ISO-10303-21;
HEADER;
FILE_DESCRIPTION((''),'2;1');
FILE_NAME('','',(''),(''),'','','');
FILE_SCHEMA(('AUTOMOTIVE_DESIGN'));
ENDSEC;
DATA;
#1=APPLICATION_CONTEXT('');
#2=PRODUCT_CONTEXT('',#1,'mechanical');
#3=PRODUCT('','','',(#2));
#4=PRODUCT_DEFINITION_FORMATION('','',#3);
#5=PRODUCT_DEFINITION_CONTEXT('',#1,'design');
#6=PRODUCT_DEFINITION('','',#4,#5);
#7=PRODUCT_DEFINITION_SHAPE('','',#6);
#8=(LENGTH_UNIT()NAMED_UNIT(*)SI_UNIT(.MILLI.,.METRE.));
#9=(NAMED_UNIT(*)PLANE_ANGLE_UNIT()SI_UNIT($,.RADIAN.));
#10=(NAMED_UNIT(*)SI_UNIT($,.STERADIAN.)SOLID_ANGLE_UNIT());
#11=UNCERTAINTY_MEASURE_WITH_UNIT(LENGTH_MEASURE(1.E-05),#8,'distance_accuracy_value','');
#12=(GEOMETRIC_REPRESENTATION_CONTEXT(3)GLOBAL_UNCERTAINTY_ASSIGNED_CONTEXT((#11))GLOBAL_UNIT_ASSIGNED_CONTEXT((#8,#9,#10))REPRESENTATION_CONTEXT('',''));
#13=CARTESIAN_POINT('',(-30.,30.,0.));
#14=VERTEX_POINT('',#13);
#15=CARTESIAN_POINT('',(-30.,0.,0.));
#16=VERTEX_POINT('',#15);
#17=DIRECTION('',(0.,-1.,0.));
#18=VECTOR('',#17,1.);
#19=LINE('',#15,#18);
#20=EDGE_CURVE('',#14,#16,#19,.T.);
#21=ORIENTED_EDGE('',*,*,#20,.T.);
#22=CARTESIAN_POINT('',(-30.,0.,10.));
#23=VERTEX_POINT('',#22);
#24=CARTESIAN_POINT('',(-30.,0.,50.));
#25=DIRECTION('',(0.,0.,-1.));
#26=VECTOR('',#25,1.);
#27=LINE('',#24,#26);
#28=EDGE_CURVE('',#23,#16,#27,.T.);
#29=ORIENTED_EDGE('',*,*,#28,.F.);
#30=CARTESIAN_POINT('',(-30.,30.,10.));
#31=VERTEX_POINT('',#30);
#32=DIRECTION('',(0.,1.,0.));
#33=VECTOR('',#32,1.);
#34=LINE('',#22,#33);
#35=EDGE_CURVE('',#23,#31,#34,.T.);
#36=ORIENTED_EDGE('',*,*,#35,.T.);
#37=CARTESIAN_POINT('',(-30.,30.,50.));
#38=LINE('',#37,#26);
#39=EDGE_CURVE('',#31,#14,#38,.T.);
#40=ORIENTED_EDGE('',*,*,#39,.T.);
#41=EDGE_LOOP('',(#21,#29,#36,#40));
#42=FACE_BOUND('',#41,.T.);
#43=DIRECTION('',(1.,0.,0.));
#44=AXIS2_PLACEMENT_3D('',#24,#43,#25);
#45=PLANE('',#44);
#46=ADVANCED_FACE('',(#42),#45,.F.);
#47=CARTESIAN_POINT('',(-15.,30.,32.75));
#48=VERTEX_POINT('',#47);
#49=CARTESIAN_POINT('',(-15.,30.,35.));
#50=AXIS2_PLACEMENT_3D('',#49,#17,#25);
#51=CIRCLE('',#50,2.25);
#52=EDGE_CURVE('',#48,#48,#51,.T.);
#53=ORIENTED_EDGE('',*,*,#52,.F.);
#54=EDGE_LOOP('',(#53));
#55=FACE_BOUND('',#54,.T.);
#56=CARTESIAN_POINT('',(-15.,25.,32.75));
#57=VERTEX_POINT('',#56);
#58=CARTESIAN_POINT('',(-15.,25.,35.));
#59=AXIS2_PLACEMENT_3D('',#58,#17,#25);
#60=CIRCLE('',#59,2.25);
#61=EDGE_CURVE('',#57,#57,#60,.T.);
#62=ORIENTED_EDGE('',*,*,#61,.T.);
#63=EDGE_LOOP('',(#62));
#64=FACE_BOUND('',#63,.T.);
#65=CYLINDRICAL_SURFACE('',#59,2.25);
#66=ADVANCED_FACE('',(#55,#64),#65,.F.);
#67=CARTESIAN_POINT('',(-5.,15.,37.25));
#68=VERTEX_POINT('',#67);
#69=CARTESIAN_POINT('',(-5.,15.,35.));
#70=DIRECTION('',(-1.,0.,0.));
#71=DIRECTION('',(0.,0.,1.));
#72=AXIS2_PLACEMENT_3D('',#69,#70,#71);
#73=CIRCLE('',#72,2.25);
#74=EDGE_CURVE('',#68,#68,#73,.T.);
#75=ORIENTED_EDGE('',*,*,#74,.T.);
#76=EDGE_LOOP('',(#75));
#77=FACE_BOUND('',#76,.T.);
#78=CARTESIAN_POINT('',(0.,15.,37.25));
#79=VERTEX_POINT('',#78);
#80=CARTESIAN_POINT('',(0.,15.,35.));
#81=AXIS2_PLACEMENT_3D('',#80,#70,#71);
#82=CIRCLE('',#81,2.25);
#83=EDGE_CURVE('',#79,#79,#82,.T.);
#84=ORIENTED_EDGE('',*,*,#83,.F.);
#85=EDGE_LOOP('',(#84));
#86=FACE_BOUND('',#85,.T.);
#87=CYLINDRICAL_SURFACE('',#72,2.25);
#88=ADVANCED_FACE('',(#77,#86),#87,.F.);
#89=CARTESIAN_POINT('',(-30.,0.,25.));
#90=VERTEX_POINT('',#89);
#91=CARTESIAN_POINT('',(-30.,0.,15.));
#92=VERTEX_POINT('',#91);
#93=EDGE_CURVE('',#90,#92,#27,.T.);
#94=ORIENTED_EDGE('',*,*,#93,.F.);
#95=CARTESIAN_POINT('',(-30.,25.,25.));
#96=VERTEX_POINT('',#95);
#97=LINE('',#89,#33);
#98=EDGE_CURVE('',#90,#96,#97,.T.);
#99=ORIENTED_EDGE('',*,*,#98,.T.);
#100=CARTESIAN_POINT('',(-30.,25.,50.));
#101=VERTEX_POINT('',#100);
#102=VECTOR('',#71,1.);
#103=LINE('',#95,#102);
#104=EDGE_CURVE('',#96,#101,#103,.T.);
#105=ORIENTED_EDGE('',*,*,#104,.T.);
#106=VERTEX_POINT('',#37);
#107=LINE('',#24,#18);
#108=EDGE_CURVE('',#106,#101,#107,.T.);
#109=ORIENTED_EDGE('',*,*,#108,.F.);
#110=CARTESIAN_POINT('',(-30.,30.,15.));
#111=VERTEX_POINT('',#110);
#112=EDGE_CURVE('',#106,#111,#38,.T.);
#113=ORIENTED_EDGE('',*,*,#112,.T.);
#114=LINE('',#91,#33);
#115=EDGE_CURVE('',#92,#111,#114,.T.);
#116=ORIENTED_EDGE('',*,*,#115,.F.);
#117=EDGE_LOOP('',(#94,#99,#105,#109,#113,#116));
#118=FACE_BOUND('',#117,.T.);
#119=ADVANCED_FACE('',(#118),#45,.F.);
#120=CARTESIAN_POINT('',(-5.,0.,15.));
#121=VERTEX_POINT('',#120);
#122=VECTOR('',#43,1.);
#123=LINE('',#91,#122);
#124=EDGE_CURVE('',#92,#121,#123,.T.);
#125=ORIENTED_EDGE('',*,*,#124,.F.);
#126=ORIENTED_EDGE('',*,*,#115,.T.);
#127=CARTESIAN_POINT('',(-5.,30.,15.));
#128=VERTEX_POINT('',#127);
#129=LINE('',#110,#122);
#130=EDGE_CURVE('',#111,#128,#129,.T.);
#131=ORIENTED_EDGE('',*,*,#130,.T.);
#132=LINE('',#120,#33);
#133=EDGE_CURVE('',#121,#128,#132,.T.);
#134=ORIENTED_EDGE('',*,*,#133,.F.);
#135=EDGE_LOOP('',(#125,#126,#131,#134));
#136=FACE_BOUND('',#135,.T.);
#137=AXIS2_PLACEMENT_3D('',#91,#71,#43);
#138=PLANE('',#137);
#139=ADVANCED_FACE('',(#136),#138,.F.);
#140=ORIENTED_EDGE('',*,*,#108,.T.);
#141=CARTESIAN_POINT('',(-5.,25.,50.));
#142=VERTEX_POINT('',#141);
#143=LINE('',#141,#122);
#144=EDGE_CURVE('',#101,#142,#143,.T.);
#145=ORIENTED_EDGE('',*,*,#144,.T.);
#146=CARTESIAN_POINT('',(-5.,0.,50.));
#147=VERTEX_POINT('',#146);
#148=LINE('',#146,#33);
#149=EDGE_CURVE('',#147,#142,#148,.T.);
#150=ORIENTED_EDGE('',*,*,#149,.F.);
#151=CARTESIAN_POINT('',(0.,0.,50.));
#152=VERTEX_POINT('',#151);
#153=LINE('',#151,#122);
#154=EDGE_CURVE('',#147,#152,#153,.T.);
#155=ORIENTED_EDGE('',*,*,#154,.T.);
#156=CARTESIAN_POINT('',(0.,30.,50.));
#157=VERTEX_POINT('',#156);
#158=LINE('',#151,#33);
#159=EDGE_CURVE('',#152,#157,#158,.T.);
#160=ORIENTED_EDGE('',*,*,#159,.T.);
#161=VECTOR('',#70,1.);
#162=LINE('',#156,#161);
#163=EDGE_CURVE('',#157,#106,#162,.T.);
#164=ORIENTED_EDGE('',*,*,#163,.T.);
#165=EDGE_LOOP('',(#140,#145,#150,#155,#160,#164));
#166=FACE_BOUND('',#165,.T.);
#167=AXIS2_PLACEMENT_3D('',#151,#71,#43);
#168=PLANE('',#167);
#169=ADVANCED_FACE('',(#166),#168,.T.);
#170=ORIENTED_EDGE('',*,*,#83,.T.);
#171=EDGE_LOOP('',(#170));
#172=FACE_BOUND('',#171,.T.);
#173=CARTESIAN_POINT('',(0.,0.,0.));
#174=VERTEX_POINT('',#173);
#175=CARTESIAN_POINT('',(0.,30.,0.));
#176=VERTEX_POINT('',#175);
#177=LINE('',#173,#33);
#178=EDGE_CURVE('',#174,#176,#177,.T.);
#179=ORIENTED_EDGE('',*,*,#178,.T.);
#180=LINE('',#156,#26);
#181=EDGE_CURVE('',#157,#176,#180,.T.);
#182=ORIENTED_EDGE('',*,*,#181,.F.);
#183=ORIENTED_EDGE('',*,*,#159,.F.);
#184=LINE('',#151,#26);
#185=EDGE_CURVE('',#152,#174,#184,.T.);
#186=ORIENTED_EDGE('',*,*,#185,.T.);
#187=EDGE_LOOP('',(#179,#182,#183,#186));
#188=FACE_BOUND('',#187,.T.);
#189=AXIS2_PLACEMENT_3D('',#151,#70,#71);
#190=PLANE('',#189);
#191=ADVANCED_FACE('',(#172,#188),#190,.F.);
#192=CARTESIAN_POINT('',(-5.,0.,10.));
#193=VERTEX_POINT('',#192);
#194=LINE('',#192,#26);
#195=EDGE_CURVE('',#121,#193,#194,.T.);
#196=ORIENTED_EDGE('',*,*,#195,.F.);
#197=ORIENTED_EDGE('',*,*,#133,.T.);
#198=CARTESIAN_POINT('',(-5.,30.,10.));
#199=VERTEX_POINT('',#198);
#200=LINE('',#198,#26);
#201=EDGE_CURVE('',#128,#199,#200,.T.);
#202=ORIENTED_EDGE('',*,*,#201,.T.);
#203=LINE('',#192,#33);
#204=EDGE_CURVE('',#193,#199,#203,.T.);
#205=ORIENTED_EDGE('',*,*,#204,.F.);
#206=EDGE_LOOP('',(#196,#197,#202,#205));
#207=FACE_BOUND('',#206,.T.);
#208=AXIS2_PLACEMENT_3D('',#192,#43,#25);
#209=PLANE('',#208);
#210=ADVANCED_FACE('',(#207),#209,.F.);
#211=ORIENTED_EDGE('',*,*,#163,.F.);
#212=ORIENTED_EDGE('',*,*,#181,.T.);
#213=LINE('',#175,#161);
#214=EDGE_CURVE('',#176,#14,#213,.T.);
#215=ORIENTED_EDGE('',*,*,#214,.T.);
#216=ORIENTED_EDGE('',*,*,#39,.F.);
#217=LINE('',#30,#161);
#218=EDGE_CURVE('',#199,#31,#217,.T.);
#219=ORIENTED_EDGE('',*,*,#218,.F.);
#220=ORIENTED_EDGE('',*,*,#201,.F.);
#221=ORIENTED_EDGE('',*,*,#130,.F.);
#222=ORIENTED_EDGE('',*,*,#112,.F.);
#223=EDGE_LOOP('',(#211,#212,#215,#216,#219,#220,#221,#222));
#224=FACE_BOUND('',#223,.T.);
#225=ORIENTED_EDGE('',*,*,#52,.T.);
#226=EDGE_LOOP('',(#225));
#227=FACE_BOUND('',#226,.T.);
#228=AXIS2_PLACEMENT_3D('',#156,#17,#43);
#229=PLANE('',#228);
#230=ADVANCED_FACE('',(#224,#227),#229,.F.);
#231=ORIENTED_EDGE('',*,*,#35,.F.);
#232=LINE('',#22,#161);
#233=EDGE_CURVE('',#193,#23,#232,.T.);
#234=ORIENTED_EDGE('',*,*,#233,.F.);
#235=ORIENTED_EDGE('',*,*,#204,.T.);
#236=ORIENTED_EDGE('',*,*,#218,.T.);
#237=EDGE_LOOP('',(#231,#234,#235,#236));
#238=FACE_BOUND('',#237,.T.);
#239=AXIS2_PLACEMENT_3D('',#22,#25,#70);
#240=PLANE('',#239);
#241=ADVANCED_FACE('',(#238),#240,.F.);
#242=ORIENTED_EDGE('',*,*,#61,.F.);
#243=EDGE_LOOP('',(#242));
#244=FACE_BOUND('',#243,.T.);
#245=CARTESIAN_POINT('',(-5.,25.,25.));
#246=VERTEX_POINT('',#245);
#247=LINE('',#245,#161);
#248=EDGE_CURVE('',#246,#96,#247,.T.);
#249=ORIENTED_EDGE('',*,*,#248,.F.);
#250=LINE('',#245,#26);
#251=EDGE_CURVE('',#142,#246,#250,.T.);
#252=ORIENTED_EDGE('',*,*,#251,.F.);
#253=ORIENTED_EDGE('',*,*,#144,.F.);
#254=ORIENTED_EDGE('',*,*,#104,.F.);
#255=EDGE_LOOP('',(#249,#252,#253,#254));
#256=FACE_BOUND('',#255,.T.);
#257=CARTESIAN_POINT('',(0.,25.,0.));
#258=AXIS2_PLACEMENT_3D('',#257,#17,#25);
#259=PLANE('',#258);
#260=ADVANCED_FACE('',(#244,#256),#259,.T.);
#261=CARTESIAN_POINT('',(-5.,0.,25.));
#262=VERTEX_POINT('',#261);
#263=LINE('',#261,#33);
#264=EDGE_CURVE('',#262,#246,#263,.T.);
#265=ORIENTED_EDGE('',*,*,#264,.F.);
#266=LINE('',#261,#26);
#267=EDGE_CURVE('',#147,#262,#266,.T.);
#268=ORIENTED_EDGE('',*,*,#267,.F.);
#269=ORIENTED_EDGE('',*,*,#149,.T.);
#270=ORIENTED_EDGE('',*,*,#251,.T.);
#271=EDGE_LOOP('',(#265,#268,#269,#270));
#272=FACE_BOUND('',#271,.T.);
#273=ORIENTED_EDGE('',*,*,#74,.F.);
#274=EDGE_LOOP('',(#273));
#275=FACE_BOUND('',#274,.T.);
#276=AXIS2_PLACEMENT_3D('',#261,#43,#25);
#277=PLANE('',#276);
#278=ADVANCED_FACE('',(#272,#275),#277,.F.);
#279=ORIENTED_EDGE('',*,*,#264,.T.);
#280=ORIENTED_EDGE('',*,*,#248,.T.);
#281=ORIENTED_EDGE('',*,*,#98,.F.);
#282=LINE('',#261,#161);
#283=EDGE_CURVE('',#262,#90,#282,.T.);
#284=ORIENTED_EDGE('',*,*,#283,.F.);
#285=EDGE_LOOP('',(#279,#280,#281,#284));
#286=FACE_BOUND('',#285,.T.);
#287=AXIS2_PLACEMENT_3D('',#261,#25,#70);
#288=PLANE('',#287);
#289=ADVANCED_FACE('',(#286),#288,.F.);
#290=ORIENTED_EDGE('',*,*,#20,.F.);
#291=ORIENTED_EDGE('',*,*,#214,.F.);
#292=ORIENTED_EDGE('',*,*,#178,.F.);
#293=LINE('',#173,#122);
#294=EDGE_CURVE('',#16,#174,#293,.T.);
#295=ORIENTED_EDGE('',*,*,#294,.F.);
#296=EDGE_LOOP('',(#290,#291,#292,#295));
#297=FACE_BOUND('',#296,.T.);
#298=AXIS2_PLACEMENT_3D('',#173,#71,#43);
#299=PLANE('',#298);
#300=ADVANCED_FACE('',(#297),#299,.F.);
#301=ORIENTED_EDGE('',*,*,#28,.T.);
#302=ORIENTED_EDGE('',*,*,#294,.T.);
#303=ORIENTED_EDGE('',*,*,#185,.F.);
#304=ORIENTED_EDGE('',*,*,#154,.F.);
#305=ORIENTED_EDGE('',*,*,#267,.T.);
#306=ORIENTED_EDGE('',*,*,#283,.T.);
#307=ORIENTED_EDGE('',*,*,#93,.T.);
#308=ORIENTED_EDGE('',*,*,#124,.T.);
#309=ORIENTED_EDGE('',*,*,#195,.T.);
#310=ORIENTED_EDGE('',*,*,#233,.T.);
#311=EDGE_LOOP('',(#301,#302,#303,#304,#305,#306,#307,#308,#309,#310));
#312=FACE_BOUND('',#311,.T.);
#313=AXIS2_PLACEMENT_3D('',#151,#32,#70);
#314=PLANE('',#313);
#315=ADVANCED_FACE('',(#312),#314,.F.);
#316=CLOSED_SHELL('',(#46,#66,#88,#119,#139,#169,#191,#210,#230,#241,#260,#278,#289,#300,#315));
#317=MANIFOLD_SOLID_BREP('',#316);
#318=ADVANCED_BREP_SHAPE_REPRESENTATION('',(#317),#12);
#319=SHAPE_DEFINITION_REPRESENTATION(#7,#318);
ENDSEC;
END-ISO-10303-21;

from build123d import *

# Parameters (mm, degrees)
ESBO_O1_W                         = 30
ESBO_O1_H                         = 30
RESSALTO_EXTRUS_O1_DEPTH          = 50
ESBO_O2_W                         = 25
ESBO_O2_H                         = 5
CORTE_EXTRUS_O1_DEPTH             = 31
CORTE_EXTRUS_O2_START             = -5
ESBO_O3_W                         = 25
ESBO_O3_H                         = 25
CORTE_EXTRUS_O2_DEPTH             = 26
FURO_COM_FOLGA_DE_M41_D           = 4.5
FURO_COM_FOLGA_DE_M41_ON_FACE_2_D = 4.5


with BuildPart() as part:
    # Esboço1 → Ressalto-extrusão1 (new body)
    with BuildSketch(Plane.XY):
        with Locations((-15, 15)):
            Rectangle(ESBO_O1_W, ESBO_O1_H)
    extrude(amount=RESSALTO_EXTRUS_O1_DEPTH)

    # Esboço2 → Corte-extrusão1 (cut, through all)
    with BuildSketch(Plane(origin=(0, 30, 0), x_dir=(1, 0, 0), z_dir=(0, 1, 0))):
        with Locations((-17.5, -12.5)):
            Rectangle(ESBO_O2_W, ESBO_O2_H)
    extrude(amount=-CORTE_EXTRUS_O1_DEPTH, mode=Mode.SUBTRACT)

    # Esboço3 → Corte-extrusão2 (cut, through all)
    with BuildSketch(Plane(origin=(0, 30, 0), x_dir=(1, 0, 0), z_dir=(0, 1, 0)).offset(CORTE_EXTRUS_O2_START)):
        with Locations((-17.5, -37.5)):
            Rectangle(ESBO_O3_W, ESBO_O3_H)
    extrude(amount=-CORTE_EXTRUS_O2_DEPTH, mode=Mode.SUBTRACT)

    # Furo com folga de M41 (through all)
    with Locations(Plane(origin=(-5, 15, 35), x_dir=(0, 0, -1), z_dir=(-1, 0, 0))):
        with Locations((0, 0)):
            Hole(FURO_COM_FOLGA_DE_M41_D / 2)

    # Furo com folga de M41 on face 2 (through all)
    with Locations(Plane(origin=(-15, 25, 35), x_dir=(0, 0, -1), z_dir=(0, -1, 0))):
        with Locations((0, 0)):
            Hole(FURO_COM_FOLGA_DE_M41_ON_FACE_2_D / 2)


solid = part.part
